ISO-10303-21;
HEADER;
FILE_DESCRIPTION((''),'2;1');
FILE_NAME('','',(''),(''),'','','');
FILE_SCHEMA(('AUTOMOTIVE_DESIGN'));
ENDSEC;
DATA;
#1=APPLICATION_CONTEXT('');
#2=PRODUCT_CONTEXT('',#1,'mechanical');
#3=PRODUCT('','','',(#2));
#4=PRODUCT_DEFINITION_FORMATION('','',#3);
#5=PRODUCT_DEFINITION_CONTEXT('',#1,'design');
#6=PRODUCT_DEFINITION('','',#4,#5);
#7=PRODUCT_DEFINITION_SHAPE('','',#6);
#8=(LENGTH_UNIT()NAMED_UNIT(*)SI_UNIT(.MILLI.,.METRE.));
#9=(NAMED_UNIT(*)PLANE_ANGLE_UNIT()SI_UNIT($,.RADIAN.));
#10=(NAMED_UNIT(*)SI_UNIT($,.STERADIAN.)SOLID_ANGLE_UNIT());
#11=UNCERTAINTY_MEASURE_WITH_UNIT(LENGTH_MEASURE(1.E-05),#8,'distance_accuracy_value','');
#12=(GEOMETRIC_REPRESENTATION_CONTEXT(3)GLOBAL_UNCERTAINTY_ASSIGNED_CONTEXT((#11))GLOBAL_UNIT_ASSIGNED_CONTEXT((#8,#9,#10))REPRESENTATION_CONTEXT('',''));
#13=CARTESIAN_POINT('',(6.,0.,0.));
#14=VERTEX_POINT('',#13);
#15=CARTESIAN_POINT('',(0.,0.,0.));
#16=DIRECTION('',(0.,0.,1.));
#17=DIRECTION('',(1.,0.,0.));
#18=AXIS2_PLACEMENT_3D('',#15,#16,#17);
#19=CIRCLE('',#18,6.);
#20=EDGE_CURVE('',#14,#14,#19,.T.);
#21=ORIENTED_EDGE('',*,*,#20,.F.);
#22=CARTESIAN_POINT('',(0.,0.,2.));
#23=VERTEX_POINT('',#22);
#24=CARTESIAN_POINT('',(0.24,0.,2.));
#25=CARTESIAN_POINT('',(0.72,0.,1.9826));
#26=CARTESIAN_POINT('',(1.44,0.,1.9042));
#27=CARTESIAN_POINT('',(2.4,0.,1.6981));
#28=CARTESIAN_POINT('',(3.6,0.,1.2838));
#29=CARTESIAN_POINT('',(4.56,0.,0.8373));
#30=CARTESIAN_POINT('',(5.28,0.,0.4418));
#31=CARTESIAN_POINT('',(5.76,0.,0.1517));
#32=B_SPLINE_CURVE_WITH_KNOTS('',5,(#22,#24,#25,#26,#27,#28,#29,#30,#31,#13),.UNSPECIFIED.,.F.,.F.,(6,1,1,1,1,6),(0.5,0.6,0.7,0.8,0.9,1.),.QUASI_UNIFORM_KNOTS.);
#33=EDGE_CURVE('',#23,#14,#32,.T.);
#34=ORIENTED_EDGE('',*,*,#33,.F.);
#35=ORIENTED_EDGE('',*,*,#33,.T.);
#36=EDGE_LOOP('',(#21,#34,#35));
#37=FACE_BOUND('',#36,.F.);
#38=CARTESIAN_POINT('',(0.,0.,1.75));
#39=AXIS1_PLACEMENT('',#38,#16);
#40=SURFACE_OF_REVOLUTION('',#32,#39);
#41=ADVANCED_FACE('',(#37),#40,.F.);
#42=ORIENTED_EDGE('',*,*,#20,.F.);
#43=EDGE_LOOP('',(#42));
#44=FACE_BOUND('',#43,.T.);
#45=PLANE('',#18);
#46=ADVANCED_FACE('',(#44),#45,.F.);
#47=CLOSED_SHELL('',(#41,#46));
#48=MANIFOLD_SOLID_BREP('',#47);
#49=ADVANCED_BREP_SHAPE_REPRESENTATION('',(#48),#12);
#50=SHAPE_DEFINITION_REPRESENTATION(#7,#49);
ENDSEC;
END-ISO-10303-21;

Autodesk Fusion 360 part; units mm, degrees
sketch "Skizze1" plane through (0, 0, 0) normal (0, 1, 0) x (1, 0, 0)
  line L0 (0, 0) -> (6, 0)
  line L1 (0, 0) -> (0, -2)
  spline S0 degree 5 poles (0, -2) (0.24, -2) (0.72, -1.9826) (1.44, -1.9042) (2.4, -1.6981) (3.6, -1.2838) (4.56, -0.8373) (5.28, -0.4418) (5.76, -0.1517) (6, 0) knots 0.5 0.5 0.5 0.5 0.5 0.5 0.6 0.7 0.8 0.9 1 1 1 1 1 1
  line L2 (-0.6245, -2) -> (0.6245, -2)
revolve "Drehen1" add sketch "Skizze1" angle 360 about axis through (0, 0, 1.75) along (0, 0, 1)
